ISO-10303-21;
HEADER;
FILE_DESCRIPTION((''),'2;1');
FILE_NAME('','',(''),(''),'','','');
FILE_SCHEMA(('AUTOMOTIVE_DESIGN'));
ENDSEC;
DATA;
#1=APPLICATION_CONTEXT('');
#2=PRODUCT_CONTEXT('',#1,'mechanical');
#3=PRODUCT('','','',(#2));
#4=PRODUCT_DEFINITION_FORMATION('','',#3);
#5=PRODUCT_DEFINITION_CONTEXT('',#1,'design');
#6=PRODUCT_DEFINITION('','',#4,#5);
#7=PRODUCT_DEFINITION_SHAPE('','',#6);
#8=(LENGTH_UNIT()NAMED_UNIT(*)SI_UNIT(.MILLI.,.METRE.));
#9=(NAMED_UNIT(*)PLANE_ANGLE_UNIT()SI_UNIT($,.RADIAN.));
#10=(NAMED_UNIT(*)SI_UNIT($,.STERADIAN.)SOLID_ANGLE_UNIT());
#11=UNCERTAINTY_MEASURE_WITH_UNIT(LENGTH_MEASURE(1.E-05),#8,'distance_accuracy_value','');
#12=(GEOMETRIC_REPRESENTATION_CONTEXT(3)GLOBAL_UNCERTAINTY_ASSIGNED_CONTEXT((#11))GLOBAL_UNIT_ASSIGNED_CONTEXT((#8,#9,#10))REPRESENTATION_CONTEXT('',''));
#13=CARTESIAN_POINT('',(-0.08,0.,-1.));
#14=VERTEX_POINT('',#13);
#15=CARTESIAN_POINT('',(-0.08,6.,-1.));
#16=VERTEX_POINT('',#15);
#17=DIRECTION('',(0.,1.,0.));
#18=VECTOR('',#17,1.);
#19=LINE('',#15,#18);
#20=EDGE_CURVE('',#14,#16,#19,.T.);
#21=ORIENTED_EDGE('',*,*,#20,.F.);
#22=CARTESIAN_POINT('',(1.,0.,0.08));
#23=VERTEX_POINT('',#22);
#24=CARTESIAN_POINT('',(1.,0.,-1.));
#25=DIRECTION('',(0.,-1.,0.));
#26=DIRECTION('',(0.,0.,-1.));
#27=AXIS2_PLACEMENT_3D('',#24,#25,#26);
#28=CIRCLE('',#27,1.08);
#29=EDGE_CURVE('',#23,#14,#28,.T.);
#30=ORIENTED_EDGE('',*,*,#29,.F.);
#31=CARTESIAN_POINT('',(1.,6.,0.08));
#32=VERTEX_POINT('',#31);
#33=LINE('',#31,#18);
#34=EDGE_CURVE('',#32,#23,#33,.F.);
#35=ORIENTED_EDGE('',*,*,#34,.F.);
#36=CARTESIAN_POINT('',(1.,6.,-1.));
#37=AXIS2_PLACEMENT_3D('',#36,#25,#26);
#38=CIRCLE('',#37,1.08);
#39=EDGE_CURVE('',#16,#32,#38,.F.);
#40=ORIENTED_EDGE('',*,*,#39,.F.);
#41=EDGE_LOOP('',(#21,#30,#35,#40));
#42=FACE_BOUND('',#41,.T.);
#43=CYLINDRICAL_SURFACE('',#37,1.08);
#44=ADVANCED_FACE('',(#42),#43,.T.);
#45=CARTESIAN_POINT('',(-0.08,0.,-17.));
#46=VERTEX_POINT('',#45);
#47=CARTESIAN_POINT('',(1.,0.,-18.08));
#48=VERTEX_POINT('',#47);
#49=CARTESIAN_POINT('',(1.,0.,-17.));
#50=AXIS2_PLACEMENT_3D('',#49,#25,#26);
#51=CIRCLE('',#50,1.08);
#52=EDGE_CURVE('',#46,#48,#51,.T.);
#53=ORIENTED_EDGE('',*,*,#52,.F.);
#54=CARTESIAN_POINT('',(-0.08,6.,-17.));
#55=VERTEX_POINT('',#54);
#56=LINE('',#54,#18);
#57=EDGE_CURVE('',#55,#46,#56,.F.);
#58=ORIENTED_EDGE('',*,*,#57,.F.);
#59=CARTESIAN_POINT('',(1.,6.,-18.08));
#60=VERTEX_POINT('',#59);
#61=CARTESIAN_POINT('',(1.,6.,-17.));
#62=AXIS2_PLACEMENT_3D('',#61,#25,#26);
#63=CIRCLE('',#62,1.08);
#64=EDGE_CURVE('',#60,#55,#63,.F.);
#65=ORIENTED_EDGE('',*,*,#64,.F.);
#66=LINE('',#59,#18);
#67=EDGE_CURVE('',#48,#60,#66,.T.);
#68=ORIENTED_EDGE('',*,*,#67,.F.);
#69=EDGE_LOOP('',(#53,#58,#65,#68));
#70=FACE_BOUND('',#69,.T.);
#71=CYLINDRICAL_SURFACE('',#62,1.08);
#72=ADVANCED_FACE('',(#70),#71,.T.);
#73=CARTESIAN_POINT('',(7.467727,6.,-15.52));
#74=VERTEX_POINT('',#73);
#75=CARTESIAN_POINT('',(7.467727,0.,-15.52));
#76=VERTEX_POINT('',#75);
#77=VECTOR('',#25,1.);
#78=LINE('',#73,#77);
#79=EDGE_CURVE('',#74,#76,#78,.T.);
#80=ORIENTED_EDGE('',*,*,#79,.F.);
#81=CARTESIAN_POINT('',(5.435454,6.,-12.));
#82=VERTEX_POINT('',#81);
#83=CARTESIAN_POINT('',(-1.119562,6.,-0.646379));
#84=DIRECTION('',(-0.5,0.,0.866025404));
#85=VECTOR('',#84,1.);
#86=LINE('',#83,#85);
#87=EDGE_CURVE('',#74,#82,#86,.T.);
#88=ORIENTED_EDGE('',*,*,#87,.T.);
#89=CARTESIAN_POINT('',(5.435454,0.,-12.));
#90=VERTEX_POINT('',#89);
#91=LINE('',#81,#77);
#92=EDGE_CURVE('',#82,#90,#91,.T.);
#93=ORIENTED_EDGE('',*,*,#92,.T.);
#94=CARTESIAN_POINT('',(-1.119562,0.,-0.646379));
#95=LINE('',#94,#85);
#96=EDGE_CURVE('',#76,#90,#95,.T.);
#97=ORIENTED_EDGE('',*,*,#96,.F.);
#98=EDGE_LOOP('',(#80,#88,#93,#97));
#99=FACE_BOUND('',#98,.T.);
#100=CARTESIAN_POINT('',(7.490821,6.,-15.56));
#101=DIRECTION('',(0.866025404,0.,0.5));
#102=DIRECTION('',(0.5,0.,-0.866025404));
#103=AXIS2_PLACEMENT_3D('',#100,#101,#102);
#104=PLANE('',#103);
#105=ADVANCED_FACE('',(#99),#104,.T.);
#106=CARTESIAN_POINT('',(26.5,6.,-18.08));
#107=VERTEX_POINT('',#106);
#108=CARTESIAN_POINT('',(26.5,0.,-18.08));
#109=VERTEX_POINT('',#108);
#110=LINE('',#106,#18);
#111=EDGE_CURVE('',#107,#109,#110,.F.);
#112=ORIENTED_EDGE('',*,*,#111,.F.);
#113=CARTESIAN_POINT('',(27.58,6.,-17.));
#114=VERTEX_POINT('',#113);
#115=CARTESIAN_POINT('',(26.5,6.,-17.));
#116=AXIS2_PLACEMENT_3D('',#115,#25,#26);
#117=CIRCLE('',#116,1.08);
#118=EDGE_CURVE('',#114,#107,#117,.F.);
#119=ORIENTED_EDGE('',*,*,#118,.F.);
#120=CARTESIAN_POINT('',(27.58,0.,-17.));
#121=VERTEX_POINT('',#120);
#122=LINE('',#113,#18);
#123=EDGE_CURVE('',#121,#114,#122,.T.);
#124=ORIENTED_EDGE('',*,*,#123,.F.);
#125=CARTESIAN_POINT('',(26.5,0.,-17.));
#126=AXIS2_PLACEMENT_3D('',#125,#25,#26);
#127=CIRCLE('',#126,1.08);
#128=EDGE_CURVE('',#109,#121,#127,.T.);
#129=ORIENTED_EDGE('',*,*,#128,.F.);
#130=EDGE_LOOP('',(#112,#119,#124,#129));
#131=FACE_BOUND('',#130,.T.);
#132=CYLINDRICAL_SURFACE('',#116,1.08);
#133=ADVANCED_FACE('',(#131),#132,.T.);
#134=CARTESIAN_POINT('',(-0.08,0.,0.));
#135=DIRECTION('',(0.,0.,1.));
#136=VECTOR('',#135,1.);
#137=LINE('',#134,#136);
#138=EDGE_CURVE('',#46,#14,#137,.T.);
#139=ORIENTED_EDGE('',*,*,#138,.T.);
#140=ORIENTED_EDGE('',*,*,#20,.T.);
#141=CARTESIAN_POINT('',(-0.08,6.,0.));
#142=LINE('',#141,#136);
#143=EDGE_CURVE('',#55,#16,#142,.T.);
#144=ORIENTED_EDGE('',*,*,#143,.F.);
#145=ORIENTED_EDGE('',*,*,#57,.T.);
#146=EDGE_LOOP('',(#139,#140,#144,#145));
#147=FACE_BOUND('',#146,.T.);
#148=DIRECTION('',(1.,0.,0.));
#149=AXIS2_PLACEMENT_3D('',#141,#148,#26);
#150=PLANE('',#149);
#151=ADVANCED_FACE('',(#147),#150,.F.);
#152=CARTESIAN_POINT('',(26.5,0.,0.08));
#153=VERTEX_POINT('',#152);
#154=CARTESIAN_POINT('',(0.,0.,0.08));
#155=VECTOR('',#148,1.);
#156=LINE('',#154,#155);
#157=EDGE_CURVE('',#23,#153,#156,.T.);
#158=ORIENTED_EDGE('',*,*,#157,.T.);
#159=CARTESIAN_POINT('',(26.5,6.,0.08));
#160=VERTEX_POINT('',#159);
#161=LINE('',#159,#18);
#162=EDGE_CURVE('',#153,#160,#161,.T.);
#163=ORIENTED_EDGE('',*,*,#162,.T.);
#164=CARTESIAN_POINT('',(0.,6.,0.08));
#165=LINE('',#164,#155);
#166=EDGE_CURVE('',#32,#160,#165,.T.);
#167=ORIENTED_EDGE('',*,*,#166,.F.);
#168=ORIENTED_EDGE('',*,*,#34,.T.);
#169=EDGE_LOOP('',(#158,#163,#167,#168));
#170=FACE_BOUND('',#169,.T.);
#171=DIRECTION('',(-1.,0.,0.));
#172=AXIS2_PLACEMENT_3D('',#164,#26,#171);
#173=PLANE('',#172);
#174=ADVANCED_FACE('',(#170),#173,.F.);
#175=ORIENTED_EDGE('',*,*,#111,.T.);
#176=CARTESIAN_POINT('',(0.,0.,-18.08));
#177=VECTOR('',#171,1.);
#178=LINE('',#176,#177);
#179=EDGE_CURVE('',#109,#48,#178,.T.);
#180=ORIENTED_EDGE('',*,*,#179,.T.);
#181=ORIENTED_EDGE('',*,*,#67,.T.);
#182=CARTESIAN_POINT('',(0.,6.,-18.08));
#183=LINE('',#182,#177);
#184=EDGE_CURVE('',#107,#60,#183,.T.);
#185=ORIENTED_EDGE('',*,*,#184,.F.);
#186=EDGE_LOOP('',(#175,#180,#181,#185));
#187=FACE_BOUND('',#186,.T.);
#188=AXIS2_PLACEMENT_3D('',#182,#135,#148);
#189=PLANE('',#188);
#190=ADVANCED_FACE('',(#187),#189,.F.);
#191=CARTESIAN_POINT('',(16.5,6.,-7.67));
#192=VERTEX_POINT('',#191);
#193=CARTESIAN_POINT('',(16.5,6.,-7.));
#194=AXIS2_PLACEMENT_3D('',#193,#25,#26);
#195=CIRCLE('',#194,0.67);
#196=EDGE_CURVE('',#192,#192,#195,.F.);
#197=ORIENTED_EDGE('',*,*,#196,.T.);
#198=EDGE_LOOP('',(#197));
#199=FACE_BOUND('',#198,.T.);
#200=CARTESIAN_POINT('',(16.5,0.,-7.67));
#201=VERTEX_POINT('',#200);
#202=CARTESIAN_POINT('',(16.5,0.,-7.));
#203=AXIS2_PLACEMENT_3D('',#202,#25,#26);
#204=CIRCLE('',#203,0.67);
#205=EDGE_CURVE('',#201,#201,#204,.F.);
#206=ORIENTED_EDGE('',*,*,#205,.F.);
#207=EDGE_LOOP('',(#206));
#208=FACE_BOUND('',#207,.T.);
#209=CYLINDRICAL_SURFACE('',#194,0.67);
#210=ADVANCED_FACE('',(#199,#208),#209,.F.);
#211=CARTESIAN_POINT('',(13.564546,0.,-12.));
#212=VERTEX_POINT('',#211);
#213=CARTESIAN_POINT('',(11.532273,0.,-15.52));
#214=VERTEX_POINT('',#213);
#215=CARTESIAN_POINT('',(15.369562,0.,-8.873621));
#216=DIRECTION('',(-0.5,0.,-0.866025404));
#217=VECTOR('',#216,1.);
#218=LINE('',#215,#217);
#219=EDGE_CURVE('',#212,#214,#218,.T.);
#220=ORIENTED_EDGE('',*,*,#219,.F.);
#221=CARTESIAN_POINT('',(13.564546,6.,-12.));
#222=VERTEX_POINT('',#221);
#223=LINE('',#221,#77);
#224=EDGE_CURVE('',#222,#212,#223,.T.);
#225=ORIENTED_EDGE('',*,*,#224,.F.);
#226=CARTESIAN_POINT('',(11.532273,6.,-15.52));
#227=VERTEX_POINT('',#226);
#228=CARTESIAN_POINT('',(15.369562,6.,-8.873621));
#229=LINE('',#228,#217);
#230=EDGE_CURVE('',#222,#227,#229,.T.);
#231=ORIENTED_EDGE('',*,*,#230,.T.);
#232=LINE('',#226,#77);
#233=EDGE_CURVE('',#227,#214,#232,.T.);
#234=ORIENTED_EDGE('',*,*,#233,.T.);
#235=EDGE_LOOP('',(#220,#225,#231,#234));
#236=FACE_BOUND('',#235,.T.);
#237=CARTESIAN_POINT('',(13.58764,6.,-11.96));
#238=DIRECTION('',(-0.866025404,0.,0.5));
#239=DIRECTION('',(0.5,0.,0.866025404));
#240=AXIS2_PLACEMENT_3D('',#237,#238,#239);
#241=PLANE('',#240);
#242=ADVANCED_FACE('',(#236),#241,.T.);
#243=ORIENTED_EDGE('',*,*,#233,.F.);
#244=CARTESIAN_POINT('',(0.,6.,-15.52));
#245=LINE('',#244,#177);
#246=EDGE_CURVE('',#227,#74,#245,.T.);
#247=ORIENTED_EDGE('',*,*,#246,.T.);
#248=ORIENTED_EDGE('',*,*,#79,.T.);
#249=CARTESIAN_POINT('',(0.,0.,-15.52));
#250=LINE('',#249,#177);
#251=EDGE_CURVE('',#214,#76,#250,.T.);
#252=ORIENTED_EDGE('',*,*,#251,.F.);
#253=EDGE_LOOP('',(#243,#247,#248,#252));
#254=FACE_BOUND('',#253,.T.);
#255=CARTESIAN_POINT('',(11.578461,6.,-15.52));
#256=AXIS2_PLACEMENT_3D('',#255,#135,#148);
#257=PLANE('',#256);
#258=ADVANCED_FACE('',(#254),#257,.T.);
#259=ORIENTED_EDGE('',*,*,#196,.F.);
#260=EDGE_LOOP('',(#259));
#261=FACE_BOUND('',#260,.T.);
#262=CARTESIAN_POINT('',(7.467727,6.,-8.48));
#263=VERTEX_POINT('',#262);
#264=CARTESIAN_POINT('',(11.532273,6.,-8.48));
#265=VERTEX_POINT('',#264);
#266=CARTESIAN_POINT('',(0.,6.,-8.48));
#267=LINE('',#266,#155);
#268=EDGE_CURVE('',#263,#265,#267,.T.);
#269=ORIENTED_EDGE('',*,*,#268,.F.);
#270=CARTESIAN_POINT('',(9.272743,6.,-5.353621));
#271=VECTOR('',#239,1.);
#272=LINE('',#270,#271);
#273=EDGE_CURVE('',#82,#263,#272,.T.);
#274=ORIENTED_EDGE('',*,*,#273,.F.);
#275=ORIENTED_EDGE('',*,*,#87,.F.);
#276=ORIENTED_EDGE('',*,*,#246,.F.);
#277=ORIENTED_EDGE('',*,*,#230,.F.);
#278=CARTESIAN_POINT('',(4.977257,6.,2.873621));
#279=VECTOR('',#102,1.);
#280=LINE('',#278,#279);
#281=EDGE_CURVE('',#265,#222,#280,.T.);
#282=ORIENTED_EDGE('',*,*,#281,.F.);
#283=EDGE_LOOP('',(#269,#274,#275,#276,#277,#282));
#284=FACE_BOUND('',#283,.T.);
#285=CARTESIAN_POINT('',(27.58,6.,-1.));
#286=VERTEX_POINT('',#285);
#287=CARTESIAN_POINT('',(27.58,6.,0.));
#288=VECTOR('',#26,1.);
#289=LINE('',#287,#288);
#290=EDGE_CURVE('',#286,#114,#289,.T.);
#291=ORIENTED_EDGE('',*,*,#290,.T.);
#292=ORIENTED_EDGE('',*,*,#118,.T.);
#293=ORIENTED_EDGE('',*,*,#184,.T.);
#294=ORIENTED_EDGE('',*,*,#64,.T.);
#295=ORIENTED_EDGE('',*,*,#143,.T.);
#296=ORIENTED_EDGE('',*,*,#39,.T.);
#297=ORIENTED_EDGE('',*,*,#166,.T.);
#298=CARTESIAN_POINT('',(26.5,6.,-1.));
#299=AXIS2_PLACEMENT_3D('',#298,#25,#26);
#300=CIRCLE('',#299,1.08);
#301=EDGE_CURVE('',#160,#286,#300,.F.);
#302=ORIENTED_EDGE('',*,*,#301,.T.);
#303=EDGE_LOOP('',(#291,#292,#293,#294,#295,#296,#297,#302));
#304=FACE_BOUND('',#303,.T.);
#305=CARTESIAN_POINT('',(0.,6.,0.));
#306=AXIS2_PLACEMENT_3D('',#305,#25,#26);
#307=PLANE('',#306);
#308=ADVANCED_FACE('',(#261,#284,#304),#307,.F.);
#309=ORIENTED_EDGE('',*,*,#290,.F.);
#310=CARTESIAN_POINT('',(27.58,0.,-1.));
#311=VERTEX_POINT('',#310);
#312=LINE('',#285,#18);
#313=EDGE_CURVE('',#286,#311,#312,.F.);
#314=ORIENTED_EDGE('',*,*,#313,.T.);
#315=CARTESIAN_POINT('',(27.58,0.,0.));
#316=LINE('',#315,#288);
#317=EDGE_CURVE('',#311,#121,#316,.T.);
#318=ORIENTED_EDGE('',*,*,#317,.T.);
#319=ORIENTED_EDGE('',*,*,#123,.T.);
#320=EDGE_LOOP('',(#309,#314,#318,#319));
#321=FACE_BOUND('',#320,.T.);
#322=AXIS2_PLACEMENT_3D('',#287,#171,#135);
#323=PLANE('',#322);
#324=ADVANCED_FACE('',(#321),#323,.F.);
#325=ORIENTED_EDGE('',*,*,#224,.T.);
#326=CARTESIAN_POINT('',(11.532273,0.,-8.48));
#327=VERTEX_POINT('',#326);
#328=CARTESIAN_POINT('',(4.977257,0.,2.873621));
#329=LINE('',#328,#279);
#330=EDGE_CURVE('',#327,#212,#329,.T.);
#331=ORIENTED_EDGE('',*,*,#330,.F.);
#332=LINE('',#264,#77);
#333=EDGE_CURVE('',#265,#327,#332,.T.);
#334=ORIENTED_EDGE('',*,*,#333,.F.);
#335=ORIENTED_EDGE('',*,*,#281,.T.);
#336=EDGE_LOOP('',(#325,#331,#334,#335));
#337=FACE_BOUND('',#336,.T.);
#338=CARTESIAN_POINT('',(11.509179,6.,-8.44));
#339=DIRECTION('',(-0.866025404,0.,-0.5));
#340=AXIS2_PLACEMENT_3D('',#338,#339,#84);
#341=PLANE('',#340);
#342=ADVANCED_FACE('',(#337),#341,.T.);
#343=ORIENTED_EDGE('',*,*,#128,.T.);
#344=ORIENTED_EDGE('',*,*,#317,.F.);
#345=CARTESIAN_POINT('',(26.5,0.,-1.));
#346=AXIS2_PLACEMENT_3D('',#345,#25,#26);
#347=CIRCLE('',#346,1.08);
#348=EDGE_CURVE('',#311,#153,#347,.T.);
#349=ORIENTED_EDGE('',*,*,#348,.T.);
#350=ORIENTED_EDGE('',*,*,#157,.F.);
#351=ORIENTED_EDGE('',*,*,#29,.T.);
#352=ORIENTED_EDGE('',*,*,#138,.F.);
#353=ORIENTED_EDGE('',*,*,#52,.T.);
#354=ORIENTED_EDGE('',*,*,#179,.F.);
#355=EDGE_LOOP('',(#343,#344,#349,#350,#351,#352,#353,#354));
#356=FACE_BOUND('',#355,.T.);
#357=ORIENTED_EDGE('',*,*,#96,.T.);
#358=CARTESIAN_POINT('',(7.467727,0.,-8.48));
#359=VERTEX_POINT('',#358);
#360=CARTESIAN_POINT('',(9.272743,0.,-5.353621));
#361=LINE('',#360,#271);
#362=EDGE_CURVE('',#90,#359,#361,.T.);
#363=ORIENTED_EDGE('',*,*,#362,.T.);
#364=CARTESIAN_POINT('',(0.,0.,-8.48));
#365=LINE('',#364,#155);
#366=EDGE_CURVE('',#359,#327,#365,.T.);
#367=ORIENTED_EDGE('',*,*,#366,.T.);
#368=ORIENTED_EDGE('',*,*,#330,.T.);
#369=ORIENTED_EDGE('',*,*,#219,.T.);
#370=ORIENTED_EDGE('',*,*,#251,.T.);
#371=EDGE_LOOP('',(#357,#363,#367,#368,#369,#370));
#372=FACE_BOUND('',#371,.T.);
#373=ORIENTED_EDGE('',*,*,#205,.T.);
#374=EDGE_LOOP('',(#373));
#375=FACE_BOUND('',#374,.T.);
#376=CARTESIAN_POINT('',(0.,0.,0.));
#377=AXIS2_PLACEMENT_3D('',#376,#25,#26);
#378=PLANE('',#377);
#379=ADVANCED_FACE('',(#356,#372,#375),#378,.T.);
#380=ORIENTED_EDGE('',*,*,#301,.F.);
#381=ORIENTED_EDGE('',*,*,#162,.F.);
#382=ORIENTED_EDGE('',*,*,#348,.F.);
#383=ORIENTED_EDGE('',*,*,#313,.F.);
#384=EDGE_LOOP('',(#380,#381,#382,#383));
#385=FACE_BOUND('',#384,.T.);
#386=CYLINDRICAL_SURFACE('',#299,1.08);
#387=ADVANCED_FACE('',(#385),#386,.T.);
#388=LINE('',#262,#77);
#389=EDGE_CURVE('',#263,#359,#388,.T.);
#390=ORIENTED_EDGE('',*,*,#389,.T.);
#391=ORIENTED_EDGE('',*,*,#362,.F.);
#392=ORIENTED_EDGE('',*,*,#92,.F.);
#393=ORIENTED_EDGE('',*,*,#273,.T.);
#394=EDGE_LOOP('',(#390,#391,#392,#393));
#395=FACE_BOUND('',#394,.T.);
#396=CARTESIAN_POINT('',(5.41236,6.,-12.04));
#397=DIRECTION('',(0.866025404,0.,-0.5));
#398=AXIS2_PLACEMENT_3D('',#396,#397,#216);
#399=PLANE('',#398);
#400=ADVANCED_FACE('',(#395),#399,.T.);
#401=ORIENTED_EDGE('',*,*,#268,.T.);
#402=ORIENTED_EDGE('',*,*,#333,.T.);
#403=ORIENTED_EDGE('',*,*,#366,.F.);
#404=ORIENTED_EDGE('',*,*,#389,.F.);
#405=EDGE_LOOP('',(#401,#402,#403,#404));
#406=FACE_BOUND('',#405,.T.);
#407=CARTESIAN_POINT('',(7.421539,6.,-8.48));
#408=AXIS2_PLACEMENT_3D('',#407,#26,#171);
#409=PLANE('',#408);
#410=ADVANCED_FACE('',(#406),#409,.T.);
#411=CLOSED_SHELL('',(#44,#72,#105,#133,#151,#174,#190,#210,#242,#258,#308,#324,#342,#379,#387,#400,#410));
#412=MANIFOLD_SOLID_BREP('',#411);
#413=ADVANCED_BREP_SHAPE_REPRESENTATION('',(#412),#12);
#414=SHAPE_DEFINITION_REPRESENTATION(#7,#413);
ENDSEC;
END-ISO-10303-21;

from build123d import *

# Parameters (mm, degrees)
SKETCH1_W           = 27.5
SKETCH1_H           = 18
SKETCH1_R           = 0.75
BOSS_EXTRUDE1_DEPTH = 6
FILLET1_R           = 1
MOVE_FACE1_BY       = 0.08
MOVE_FACE1_2_BY     = 0.08
MOVE_FACE1_3_BY     = 0.08
MOVE_FACE1_4_BY     = 0.08
MOVE_FACE1_5_BY     = 0.08
MOVE_FACE1_6_BY     = 0.08
MOVE_FACE1_7_BY     = 0.08
MOVE_FACE1_8_BY     = 0.08
MOVE_FACE1_9_BY     = 0.08
MOVE_FACE1_10_BY    = 0.08
MOVE_FACE1_11_BY    = 0.08
MOVE_FACE1_12_BY    = 0.08
MOVE_FACE1_13_BY    = 0.08
MOVE_FACE1_14_BY    = 0.08
MOVE_FACE1_15_BY    = 0.08


with BuildPart() as part:
    # Sketch1 → Boss-Extrude1 (new body)
    with BuildSketch(Plane(origin=(0, 0, 0), x_dir=(1, 0, 0), z_dir=(0, 1, 0))):
        with Locations((13.75, 9)):
            Rectangle(SKETCH1_W, SKETCH1_H)
        with Locations(Location((16.5, 7, 0), (0, 0, 270))):
            Circle(SKETCH1_R, mode=Mode.SUBTRACT)
        Polygon((13.656921938, 12), (11.578460969, 15.6), (7.421539031, 15.6), (5.343078062, 12), (7.421539031, 8.4), (11.578460969, 8.4), align=None, mode=Mode.SUBTRACT)
    extrude(amount=BOSS_EXTRUDE1_DEPTH)

    # Fillet1
    fillet1_edges = [part.edges().sort_by_distance(p)[0] for p in [
        (0, 3, -18),
        (27.5, 3, -18),
        (27.5, 3, 0),
        (0, 3, 0),
    ]]
    fillet(fillet1_edges, radius=FILLET1_R)

    # Move Face1: a curved face moved outward by 0.08
    add(Solid.thicken(part.faces().sort_by_distance((16.5, 3, -7.75))[0], MOVE_FACE1_BY))

    # Move Face1 2: a face moved outward by 0.08
    extrude(part.faces().sort_by_distance((12.617691454, 3, -13.8))[0], amount=MOVE_FACE1_2_BY, dir=(-0.866025404, 0, 0.5))

    # Move Face1 3: a face moved outward by 0.08
    extrude(part.faces().sort_by_distance((9.5, 3, -15.6))[0], amount=MOVE_FACE1_3_BY, dir=(0, 0, 1))

    # Move Face1 4: a curved face moved outward by 0.08
    add(Solid.thicken(part.faces().sort_by_distance((27.207106781, 3, -0.292893219))[0], MOVE_FACE1_4_BY))

    # Move Face1 5: a face moved outward by 0.08
    extrude(part.faces().sort_by_distance((27.5, 3, -9))[0], amount=MOVE_FACE1_5_BY, dir=(1, 0, 0))

    # Move Face1 6: a curved face moved outward by 0.08
    add(Solid.thicken(part.faces().sort_by_distance((27.207106781, 3, -17.707106781))[0], MOVE_FACE1_6_BY))

    # Move Face1 7: a face moved outward by 0.08
    extrude(part.faces().sort_by_distance((13.75, 3, -18))[0], amount=MOVE_FACE1_7_BY, dir=(0, 0, -1))

    # Move Face1 8: a curved face moved outward by 0.08
    add(Solid.thicken(part.faces().sort_by_distance((0.292893219, 3, -17.707106781))[0], MOVE_FACE1_8_BY))

    # Move Face1 9: a face moved outward by 0.08
    extrude(part.faces().sort_by_distance((0, 3, -9))[0], amount=MOVE_FACE1_9_BY, dir=(-1, 0, 0))

    # Move Face1 10: a curved face moved outward by 0.08
    add(Solid.thicken(part.faces().sort_by_distance((0.292893219, 3, -0.292893219))[0], MOVE_FACE1_10_BY))

    # Move Face1 11: a face moved outward by 0.08
    extrude(part.faces().sort_by_distance((13.75, 3, 0))[0], amount=MOVE_FACE1_11_BY, dir=(0, 0, 1))

    # Move Face1 12: a face moved outward by 0.08
    extrude(part.faces().sort_by_distance((6.382308546, 3, -13.8))[0], amount=MOVE_FACE1_12_BY, dir=(0.866025404, 0, 0.5))

    # Move Face1 13: a face moved outward by 0.08
    extrude(part.faces().sort_by_distance((9.5, 3, -8.4))[0], amount=MOVE_FACE1_13_BY, dir=(0, 0, -1))

    # Move Face1 14: a face moved outward by 0.08
    extrude(part.faces().sort_by_distance((6.382308546, 3, -10.2))[0], amount=MOVE_FACE1_14_BY, dir=(0.866025404, 0, -0.5))

    # Move Face1 15: a face moved outward by 0.08
    extrude(part.faces().sort_by_distance((12.617691454, 3, -10.2))[0], amount=MOVE_FACE1_15_BY, dir=(-0.866025404, 0, -0.5))


solid = part.part
